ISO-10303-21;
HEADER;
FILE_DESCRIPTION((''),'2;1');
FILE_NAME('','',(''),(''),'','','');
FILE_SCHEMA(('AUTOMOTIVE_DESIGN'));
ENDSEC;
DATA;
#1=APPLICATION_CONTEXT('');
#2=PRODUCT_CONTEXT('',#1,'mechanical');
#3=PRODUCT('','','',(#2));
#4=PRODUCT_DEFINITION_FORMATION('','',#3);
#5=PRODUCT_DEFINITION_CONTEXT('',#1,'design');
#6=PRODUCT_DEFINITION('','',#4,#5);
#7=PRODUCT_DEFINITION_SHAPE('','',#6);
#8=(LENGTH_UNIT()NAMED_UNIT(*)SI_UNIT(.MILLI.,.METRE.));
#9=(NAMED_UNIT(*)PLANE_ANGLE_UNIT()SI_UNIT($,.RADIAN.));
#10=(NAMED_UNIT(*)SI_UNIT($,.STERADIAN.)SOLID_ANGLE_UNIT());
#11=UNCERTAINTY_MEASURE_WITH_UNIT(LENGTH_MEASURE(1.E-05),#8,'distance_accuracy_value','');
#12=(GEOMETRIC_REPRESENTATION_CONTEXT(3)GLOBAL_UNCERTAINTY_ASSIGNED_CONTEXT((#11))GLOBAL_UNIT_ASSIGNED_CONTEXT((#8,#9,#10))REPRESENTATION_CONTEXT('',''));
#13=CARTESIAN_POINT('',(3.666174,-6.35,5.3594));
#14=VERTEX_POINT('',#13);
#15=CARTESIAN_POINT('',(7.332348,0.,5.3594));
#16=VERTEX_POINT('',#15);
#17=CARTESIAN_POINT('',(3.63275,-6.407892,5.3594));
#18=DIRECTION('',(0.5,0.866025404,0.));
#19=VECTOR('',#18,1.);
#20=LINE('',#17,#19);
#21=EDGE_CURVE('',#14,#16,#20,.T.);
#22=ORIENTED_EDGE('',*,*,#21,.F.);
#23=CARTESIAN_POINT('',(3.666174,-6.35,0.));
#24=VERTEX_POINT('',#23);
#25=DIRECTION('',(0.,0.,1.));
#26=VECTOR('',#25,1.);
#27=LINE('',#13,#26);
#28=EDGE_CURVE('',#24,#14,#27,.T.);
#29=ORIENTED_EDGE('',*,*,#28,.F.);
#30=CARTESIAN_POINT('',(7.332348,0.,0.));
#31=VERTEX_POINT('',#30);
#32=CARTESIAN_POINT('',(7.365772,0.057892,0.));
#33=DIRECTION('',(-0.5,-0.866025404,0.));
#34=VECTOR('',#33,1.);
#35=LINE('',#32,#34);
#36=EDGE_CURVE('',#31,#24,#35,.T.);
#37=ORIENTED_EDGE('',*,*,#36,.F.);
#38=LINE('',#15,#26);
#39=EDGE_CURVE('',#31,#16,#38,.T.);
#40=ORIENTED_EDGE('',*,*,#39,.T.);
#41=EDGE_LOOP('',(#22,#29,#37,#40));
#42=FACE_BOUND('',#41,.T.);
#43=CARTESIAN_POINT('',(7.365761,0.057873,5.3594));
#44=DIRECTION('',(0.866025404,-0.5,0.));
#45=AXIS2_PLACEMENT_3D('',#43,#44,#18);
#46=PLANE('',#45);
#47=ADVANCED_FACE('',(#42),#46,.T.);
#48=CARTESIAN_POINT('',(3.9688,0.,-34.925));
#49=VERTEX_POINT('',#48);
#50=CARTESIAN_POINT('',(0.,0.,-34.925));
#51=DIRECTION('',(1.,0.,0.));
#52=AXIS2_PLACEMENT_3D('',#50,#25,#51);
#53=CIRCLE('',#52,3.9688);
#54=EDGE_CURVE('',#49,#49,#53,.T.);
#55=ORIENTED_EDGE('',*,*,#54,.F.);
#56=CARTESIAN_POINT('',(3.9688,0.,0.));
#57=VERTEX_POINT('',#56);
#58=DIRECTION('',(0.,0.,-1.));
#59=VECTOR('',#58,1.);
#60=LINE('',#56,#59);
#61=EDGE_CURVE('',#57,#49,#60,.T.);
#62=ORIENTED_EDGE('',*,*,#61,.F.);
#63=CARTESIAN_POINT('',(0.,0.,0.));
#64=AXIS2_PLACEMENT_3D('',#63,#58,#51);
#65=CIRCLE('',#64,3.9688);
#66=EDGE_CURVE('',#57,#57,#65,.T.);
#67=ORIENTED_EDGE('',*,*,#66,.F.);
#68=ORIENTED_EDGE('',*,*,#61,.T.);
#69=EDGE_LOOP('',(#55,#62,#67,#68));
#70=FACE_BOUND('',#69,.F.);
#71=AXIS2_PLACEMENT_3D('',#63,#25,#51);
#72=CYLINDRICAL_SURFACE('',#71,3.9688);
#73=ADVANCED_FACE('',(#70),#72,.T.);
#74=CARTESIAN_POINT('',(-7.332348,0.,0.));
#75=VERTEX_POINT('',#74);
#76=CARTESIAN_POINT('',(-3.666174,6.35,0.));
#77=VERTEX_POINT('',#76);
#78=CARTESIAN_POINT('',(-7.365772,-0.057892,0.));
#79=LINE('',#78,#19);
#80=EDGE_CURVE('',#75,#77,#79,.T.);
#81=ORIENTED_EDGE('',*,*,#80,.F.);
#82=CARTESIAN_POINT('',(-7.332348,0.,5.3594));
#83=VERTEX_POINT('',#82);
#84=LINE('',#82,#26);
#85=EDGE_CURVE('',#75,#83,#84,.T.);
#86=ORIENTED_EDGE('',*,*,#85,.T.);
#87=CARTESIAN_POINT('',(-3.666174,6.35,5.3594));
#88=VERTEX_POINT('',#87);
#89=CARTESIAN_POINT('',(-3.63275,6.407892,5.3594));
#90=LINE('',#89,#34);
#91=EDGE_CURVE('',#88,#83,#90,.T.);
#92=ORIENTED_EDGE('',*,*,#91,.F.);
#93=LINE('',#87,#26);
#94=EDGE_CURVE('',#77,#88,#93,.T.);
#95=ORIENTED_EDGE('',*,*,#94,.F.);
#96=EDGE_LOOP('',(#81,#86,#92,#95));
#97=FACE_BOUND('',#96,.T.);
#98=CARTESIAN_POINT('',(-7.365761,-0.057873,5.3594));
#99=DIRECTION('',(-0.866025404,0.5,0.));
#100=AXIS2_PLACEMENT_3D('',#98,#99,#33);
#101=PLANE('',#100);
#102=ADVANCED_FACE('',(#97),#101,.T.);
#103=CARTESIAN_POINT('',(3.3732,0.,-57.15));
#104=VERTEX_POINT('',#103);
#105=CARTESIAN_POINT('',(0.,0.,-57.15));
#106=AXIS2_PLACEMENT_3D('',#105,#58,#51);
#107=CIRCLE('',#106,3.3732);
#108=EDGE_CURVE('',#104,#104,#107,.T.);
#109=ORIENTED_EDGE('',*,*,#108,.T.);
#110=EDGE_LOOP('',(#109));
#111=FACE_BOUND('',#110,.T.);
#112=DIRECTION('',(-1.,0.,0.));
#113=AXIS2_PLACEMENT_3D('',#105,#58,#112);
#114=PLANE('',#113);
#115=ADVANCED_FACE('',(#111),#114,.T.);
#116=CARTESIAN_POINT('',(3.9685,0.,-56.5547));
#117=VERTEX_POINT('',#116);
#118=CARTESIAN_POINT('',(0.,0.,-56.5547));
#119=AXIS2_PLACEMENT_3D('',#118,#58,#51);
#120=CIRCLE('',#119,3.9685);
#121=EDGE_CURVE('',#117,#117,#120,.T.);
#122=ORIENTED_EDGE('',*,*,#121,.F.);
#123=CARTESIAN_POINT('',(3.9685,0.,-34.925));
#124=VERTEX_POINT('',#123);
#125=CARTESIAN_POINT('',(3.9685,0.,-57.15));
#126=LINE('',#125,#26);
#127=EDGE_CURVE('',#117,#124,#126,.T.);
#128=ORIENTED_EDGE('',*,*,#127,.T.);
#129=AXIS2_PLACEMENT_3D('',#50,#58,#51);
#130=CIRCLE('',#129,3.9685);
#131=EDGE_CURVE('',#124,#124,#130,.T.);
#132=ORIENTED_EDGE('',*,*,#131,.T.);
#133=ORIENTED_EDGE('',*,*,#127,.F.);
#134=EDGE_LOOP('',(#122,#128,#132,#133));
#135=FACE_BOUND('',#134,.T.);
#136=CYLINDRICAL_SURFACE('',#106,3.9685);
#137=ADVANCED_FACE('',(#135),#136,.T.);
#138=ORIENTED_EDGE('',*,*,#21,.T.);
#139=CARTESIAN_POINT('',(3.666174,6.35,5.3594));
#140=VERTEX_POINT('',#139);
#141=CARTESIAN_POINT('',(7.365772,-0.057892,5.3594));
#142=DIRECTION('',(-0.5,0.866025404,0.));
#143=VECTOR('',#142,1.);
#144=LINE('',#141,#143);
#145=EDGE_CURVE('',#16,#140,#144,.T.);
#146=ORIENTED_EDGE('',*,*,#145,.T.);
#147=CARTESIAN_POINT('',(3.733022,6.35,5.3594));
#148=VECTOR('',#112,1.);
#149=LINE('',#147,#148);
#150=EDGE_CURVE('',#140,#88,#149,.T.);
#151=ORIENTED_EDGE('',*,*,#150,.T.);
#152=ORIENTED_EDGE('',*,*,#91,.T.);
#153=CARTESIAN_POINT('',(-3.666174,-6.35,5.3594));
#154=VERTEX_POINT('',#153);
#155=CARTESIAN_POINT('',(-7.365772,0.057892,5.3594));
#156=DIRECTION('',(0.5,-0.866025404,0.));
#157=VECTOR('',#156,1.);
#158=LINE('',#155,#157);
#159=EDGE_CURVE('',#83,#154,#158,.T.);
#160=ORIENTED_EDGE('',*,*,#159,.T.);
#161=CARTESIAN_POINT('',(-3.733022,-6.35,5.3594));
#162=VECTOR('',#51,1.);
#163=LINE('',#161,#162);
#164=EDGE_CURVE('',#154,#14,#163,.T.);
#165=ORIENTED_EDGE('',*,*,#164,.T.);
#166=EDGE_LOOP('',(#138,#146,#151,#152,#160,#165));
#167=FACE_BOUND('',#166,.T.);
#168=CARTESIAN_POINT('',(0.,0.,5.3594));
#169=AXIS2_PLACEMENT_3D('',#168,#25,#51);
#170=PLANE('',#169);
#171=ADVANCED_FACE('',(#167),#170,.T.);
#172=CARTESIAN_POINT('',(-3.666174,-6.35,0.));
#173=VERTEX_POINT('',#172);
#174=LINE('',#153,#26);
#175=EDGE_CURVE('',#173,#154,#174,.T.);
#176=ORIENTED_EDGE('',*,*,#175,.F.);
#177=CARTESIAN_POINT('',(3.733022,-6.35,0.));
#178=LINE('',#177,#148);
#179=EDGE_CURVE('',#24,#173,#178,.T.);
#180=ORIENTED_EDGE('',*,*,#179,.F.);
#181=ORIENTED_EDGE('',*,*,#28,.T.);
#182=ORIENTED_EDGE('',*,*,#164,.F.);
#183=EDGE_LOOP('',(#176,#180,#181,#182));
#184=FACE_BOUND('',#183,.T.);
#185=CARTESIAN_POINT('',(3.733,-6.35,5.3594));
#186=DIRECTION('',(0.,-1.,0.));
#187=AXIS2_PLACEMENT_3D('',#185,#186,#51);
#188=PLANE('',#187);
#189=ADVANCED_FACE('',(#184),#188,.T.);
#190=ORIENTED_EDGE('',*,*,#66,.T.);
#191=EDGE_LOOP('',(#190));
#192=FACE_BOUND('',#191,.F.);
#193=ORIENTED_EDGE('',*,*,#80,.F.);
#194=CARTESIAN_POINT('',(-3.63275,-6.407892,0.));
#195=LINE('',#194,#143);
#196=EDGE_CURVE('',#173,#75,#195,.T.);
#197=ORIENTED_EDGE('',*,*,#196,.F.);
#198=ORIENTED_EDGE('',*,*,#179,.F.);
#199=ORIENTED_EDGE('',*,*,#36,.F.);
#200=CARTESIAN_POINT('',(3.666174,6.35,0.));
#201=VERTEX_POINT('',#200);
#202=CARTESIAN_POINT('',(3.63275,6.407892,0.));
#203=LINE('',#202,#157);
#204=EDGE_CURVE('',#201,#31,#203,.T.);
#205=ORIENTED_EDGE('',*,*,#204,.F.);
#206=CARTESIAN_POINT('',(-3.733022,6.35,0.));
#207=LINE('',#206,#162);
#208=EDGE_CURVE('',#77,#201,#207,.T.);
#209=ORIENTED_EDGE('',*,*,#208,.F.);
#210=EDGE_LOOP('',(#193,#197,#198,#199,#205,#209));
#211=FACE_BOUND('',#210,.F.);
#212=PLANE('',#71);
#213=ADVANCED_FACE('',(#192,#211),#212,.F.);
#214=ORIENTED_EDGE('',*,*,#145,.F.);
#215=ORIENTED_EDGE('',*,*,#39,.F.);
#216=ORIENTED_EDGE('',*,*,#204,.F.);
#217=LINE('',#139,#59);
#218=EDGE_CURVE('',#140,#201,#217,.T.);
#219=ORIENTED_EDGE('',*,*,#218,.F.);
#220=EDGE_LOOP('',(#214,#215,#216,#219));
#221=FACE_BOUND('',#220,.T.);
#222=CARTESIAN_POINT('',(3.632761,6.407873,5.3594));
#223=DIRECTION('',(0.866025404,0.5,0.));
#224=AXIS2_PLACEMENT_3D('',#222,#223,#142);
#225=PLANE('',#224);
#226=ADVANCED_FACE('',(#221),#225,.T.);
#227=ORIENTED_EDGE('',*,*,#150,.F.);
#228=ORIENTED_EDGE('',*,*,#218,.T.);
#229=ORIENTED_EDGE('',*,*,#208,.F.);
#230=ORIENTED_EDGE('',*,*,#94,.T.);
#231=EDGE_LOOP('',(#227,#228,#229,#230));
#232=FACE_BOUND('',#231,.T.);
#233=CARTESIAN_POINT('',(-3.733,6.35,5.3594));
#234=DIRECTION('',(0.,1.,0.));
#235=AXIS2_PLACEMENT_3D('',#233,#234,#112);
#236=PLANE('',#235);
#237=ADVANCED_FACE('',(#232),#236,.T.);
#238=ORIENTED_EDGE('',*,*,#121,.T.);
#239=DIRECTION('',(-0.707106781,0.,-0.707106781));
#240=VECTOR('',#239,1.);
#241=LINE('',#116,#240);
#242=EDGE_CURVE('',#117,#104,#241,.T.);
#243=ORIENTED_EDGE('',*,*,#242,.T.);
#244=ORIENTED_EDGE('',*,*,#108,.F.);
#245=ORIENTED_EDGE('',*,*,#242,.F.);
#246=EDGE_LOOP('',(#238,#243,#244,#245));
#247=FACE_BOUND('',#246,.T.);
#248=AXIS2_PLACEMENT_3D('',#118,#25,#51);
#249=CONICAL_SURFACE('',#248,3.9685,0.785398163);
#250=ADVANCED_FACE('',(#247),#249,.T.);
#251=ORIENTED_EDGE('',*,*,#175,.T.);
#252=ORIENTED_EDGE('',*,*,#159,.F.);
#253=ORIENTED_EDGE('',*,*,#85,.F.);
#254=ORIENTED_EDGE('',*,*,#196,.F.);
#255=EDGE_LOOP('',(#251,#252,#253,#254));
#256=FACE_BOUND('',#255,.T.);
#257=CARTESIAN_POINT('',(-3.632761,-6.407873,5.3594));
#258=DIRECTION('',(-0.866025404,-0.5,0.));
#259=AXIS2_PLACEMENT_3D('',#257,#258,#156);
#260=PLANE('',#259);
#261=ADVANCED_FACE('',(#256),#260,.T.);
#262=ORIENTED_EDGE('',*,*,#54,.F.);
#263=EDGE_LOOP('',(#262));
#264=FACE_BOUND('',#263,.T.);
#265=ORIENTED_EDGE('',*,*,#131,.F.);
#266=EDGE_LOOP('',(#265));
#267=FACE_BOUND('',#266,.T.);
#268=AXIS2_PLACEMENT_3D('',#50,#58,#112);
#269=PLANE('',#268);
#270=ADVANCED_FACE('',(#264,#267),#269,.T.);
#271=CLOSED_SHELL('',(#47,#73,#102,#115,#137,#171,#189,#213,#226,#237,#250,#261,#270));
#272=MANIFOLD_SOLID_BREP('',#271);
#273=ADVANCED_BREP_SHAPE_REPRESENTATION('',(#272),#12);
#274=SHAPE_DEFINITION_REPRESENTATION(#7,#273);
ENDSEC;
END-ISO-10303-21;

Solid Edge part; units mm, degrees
sketch "Sketch1" plane through (0, 0, 0) normal (0, 0, 1) x (1, 0, 0)
  circle A0 centre (0, 0) radius 7.366
  dimension "D1" = 14.732
extrude "Protrusion1" add sketch "Sketch1" along normal blind 5.3594
sketch "Sketch2" plane through (0, 0, 0) normal (0, 0, -1) x (1, 0, 0)
  circle A0 centre (0, 0) radius 3.9688
extrude "Protrusion2" add sketch "Sketch2" along normal blind 57.15
sketch "Sketch3" plane through (0, 0, -57.15) normal (0, 0, -1) x (1, 0, 0)
  circle A0 centre (0, 0) radius 3.9685
extrude "Cutout1" cut sketch "Sketch3" against normal blind 22.225 flip side to cut
chamfer "Chamfer_1" distance 0.5953 angle 45 1 edges at (-3.9685, 0, -57.15)
sketch "Sketch4" plane through (0, 0, 5.3594) normal (0, 0, 1) x (1, 0, 0)
  line L0 (-3.733, 6.35) -> (3.733, 6.35)
  dimension "D1" = 12.7
extrude "Cutout2" cut sketch "Sketch4" against normal up to next material side at (0, 6.4, 5.3594)
pattern_circular "Pattern1" count 6 over 360 about axis through (0, 0, 5.3594) along (0, 0, 1) of "Cutout2"
properties part number "24100071"
